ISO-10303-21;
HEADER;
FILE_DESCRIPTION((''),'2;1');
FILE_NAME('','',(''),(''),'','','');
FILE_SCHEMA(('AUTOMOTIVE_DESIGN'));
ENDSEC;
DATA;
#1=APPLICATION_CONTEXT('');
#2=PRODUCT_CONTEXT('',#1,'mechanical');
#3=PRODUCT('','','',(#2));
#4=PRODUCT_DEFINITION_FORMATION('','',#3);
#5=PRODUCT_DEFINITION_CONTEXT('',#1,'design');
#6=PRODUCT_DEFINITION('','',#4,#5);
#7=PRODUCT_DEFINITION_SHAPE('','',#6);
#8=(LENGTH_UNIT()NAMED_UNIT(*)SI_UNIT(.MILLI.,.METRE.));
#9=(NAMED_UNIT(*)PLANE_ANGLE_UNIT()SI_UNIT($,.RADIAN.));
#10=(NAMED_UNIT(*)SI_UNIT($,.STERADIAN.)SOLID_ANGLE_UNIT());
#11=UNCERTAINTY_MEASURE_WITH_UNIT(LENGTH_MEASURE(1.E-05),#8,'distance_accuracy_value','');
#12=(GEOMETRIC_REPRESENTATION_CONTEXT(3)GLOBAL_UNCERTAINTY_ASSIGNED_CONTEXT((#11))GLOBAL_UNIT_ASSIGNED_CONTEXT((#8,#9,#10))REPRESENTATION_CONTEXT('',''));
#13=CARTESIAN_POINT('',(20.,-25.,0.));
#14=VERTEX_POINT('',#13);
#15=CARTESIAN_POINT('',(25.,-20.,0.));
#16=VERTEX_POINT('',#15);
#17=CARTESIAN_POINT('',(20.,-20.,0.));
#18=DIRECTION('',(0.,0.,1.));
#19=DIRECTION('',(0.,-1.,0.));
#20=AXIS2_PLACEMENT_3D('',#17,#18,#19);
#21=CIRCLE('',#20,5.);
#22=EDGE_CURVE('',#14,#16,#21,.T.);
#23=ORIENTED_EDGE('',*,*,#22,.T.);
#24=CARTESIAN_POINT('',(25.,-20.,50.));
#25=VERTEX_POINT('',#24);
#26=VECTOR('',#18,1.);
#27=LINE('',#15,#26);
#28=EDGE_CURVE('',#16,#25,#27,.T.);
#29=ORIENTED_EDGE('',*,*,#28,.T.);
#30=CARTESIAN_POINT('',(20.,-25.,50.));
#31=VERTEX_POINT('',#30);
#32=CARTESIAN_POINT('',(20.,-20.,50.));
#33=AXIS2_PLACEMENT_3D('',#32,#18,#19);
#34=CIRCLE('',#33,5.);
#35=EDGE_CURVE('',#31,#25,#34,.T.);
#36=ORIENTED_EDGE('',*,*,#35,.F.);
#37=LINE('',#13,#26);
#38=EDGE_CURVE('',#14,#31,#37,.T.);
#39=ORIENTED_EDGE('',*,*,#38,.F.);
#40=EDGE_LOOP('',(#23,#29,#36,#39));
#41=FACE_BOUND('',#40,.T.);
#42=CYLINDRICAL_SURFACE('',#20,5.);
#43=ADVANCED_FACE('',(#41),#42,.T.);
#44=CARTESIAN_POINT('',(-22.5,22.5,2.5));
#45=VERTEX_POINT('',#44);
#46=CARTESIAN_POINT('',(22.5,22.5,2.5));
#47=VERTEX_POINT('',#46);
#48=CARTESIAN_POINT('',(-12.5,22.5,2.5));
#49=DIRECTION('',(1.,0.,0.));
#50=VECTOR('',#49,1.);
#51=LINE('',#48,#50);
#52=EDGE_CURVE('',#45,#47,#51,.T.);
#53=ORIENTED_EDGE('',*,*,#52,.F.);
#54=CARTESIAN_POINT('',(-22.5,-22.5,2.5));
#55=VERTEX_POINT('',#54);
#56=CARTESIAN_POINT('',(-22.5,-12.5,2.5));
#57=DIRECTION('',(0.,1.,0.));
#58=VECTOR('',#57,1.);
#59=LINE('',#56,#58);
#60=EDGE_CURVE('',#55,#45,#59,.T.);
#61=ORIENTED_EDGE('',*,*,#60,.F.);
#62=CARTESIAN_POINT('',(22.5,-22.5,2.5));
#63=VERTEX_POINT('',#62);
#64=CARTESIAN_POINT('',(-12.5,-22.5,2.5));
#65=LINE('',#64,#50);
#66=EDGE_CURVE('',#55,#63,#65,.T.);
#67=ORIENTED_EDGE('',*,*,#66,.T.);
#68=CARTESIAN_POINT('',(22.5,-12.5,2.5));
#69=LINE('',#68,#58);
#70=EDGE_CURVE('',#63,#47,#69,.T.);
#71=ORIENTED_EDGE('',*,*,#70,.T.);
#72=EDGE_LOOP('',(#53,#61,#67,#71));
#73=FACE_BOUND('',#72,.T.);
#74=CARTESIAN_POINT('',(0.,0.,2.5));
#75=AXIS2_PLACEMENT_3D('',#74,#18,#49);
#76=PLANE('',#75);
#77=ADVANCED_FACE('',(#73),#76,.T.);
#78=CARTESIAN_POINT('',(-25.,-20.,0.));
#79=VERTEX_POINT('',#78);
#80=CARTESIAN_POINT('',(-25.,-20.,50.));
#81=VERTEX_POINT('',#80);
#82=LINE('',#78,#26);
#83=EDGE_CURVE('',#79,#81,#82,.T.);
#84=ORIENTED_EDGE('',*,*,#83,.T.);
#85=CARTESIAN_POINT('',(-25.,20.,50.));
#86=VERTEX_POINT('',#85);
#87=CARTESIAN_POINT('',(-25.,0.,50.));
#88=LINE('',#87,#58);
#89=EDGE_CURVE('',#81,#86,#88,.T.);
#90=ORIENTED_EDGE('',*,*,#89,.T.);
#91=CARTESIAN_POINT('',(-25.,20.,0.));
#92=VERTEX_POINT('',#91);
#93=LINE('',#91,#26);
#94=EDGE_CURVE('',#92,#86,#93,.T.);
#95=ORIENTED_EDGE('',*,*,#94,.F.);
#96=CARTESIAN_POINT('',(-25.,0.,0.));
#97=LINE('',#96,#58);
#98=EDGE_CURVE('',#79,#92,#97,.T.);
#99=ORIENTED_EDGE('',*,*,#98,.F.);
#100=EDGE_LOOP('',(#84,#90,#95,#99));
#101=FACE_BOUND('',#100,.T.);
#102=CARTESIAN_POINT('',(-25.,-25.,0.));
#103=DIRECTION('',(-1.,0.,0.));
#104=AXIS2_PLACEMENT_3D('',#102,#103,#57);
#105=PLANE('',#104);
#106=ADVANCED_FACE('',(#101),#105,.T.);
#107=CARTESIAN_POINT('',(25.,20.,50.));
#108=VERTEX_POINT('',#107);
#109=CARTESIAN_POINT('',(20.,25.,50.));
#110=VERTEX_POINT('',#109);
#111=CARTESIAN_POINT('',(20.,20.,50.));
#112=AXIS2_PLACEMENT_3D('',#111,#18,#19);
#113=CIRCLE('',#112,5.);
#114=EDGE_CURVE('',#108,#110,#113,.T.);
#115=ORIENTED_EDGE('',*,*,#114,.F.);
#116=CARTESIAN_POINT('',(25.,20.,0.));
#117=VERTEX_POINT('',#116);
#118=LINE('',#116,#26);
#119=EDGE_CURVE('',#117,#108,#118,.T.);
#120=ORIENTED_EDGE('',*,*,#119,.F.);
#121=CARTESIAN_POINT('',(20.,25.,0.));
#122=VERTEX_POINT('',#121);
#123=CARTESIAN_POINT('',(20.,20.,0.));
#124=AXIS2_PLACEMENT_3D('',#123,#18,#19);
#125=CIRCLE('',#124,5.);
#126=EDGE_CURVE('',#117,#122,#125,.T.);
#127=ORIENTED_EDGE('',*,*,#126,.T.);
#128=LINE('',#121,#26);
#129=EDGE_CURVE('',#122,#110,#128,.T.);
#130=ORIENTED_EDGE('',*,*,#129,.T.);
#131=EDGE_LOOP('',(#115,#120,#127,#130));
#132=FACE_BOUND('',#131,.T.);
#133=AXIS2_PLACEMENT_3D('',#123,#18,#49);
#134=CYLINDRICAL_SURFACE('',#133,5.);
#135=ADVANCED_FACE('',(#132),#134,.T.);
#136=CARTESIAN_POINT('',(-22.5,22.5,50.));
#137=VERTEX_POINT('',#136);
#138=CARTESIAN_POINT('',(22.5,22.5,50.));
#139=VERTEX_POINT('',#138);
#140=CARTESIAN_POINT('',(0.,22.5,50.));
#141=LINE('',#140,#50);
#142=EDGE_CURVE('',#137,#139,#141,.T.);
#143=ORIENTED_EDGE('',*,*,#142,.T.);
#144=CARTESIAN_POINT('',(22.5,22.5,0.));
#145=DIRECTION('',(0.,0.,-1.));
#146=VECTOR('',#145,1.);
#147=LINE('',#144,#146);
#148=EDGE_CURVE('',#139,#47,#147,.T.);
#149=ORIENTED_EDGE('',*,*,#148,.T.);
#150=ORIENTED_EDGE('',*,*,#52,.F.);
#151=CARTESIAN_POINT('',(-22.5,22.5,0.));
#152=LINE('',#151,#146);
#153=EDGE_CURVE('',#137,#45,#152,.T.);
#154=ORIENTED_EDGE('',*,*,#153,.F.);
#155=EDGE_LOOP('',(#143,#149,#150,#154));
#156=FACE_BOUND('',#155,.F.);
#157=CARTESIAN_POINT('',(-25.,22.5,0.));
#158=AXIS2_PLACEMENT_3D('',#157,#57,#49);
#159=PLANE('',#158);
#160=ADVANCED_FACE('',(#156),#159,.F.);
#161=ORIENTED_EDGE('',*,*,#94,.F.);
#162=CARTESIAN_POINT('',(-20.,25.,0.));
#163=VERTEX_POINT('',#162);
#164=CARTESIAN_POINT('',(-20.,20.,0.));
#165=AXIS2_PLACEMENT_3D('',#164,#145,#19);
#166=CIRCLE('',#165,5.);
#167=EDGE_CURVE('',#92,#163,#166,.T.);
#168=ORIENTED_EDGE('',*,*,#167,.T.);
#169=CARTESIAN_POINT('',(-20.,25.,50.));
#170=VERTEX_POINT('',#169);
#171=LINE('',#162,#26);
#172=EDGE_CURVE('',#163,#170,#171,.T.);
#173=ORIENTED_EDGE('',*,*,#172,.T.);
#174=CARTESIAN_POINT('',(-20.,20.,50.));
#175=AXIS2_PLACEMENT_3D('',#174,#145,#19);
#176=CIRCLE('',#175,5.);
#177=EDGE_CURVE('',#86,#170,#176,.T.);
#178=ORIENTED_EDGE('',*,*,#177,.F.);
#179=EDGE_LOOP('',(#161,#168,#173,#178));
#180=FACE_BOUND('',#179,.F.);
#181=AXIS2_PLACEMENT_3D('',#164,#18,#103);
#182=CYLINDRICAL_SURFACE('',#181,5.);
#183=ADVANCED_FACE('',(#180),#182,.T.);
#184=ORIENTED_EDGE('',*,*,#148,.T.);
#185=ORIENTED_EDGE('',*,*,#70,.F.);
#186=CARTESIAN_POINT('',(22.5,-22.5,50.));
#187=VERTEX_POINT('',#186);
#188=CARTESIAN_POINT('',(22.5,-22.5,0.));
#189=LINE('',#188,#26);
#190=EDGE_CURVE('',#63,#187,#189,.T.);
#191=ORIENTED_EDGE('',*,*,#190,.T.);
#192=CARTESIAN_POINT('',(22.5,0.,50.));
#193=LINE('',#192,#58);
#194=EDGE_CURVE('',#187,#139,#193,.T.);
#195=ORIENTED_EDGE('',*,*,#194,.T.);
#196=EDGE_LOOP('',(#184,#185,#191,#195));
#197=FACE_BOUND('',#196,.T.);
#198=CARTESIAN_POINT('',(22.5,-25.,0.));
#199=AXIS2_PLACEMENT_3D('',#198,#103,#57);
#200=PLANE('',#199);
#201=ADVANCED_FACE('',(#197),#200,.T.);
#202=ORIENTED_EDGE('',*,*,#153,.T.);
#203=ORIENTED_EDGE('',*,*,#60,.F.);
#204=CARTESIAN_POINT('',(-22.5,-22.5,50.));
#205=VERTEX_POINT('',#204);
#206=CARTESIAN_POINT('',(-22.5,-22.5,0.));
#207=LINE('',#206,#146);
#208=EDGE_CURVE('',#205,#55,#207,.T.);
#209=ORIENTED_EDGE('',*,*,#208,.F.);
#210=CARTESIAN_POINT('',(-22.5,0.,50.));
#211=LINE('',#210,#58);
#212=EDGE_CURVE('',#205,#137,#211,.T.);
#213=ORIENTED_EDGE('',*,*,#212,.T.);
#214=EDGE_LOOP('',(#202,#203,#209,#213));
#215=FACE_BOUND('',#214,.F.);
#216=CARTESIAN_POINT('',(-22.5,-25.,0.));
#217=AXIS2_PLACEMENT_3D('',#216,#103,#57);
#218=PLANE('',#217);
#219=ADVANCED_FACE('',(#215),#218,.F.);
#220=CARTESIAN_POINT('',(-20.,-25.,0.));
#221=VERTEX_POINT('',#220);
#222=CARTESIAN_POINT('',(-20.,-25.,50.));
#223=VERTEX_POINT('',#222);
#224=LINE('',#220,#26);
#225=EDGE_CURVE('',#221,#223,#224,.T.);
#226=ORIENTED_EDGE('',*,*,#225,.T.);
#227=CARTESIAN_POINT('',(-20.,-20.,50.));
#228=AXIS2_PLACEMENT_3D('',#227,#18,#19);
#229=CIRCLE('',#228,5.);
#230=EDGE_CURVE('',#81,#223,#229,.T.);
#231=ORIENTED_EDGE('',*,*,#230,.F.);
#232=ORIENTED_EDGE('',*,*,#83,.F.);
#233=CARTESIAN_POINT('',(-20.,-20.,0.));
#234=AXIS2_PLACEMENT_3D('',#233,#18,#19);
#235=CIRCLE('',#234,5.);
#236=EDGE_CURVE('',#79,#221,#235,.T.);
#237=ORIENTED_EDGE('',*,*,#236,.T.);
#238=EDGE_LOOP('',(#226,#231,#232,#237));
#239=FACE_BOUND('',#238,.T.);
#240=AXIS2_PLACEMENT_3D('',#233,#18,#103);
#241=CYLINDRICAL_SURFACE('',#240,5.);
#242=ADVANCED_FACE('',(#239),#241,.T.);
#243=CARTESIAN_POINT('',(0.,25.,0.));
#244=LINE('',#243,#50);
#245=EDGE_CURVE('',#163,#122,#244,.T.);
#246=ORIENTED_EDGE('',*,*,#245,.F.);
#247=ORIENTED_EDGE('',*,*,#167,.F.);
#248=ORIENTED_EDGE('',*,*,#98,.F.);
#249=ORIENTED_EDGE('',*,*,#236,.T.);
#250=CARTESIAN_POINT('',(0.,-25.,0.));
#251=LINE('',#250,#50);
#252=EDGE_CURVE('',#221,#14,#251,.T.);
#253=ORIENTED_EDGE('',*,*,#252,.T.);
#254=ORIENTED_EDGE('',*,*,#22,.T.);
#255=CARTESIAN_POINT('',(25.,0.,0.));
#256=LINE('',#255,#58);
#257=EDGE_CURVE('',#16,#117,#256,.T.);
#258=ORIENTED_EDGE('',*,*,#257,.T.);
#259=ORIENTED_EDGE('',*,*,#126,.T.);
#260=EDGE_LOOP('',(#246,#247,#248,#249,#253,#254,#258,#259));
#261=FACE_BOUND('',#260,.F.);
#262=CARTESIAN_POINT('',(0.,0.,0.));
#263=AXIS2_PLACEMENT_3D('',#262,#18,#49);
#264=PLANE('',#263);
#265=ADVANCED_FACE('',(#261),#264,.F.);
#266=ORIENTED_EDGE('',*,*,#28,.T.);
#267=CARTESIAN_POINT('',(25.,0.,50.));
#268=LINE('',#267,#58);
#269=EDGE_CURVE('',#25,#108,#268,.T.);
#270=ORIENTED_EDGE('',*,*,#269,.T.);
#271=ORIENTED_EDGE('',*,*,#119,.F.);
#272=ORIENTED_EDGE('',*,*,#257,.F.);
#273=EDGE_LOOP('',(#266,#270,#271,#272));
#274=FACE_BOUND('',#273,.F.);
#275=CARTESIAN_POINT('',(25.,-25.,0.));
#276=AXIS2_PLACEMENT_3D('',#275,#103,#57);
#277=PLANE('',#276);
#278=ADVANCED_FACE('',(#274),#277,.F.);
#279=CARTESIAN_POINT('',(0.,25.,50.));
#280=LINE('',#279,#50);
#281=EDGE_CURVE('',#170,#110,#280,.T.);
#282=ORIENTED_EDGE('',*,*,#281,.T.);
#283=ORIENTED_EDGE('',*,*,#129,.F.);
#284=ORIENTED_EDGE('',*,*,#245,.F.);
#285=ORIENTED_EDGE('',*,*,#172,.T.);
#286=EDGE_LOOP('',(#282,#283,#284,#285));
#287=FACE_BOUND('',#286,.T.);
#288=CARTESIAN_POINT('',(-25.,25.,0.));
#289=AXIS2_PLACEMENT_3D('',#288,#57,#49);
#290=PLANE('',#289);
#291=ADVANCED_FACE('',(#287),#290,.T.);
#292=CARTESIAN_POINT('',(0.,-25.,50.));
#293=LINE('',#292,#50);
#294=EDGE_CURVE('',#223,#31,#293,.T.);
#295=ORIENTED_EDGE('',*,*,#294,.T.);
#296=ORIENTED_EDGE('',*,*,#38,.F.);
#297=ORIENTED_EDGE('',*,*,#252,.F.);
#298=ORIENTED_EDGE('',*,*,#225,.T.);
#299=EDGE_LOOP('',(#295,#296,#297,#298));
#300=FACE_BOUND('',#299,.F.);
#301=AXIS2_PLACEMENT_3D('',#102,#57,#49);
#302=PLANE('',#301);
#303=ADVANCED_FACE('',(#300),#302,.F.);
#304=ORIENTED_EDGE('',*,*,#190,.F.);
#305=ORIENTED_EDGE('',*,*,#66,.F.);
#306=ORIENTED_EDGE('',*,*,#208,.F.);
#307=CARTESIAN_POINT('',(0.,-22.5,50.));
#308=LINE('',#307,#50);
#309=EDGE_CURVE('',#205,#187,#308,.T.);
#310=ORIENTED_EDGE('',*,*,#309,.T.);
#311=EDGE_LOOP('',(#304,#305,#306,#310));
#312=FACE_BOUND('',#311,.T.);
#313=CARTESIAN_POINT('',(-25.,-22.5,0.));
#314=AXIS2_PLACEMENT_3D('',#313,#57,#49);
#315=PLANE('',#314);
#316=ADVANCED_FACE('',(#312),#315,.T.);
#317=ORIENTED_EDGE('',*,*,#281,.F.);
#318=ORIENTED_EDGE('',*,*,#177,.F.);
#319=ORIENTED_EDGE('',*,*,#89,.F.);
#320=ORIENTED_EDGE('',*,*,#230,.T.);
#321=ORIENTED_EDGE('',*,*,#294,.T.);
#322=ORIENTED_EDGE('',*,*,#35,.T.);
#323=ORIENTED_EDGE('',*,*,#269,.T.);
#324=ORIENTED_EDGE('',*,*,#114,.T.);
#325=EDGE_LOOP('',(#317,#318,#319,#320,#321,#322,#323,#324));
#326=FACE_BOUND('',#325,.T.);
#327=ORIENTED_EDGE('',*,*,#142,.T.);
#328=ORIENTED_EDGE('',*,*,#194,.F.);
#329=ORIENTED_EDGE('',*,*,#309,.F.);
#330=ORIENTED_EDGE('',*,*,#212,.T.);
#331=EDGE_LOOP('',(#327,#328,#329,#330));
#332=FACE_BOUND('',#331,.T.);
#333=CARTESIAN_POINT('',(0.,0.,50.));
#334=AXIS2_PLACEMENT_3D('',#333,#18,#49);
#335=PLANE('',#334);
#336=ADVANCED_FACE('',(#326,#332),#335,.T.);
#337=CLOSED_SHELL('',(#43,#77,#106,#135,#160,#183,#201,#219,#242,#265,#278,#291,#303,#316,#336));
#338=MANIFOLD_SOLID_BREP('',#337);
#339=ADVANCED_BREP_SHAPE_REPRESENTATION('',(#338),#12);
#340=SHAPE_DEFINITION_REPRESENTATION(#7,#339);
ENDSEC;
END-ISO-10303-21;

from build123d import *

# Parameters (mm, degrees)
F0_W     = 50
F0_H     = 50
F1_DEPTH = 50
F2_T     = -2.5
F3_R     = 5


with BuildPart() as f1:
    # F0 (on Top) → F1 (new body)
    with BuildSketch(Plane.XY):
        Rectangle(F0_W, F0_H)
    extrude(amount=F1_DEPTH)

    # F2
    f2_openings = [f1.faces().sort_by_distance(p)[0] for p in [
        (0, 0, 50),
    ]]
    offset(amount=F2_T, openings=f2_openings)

    # F3
    f3_edges = [f1.edges().sort_by_distance(p)[0] for p in [
        (-25, -25, 25),
        (25, -25, 25),
        (25, 25, 25),
        (-25, 25, 25),
    ]]
    fillet(f3_edges, radius=F3_R)


solid = f1.part
